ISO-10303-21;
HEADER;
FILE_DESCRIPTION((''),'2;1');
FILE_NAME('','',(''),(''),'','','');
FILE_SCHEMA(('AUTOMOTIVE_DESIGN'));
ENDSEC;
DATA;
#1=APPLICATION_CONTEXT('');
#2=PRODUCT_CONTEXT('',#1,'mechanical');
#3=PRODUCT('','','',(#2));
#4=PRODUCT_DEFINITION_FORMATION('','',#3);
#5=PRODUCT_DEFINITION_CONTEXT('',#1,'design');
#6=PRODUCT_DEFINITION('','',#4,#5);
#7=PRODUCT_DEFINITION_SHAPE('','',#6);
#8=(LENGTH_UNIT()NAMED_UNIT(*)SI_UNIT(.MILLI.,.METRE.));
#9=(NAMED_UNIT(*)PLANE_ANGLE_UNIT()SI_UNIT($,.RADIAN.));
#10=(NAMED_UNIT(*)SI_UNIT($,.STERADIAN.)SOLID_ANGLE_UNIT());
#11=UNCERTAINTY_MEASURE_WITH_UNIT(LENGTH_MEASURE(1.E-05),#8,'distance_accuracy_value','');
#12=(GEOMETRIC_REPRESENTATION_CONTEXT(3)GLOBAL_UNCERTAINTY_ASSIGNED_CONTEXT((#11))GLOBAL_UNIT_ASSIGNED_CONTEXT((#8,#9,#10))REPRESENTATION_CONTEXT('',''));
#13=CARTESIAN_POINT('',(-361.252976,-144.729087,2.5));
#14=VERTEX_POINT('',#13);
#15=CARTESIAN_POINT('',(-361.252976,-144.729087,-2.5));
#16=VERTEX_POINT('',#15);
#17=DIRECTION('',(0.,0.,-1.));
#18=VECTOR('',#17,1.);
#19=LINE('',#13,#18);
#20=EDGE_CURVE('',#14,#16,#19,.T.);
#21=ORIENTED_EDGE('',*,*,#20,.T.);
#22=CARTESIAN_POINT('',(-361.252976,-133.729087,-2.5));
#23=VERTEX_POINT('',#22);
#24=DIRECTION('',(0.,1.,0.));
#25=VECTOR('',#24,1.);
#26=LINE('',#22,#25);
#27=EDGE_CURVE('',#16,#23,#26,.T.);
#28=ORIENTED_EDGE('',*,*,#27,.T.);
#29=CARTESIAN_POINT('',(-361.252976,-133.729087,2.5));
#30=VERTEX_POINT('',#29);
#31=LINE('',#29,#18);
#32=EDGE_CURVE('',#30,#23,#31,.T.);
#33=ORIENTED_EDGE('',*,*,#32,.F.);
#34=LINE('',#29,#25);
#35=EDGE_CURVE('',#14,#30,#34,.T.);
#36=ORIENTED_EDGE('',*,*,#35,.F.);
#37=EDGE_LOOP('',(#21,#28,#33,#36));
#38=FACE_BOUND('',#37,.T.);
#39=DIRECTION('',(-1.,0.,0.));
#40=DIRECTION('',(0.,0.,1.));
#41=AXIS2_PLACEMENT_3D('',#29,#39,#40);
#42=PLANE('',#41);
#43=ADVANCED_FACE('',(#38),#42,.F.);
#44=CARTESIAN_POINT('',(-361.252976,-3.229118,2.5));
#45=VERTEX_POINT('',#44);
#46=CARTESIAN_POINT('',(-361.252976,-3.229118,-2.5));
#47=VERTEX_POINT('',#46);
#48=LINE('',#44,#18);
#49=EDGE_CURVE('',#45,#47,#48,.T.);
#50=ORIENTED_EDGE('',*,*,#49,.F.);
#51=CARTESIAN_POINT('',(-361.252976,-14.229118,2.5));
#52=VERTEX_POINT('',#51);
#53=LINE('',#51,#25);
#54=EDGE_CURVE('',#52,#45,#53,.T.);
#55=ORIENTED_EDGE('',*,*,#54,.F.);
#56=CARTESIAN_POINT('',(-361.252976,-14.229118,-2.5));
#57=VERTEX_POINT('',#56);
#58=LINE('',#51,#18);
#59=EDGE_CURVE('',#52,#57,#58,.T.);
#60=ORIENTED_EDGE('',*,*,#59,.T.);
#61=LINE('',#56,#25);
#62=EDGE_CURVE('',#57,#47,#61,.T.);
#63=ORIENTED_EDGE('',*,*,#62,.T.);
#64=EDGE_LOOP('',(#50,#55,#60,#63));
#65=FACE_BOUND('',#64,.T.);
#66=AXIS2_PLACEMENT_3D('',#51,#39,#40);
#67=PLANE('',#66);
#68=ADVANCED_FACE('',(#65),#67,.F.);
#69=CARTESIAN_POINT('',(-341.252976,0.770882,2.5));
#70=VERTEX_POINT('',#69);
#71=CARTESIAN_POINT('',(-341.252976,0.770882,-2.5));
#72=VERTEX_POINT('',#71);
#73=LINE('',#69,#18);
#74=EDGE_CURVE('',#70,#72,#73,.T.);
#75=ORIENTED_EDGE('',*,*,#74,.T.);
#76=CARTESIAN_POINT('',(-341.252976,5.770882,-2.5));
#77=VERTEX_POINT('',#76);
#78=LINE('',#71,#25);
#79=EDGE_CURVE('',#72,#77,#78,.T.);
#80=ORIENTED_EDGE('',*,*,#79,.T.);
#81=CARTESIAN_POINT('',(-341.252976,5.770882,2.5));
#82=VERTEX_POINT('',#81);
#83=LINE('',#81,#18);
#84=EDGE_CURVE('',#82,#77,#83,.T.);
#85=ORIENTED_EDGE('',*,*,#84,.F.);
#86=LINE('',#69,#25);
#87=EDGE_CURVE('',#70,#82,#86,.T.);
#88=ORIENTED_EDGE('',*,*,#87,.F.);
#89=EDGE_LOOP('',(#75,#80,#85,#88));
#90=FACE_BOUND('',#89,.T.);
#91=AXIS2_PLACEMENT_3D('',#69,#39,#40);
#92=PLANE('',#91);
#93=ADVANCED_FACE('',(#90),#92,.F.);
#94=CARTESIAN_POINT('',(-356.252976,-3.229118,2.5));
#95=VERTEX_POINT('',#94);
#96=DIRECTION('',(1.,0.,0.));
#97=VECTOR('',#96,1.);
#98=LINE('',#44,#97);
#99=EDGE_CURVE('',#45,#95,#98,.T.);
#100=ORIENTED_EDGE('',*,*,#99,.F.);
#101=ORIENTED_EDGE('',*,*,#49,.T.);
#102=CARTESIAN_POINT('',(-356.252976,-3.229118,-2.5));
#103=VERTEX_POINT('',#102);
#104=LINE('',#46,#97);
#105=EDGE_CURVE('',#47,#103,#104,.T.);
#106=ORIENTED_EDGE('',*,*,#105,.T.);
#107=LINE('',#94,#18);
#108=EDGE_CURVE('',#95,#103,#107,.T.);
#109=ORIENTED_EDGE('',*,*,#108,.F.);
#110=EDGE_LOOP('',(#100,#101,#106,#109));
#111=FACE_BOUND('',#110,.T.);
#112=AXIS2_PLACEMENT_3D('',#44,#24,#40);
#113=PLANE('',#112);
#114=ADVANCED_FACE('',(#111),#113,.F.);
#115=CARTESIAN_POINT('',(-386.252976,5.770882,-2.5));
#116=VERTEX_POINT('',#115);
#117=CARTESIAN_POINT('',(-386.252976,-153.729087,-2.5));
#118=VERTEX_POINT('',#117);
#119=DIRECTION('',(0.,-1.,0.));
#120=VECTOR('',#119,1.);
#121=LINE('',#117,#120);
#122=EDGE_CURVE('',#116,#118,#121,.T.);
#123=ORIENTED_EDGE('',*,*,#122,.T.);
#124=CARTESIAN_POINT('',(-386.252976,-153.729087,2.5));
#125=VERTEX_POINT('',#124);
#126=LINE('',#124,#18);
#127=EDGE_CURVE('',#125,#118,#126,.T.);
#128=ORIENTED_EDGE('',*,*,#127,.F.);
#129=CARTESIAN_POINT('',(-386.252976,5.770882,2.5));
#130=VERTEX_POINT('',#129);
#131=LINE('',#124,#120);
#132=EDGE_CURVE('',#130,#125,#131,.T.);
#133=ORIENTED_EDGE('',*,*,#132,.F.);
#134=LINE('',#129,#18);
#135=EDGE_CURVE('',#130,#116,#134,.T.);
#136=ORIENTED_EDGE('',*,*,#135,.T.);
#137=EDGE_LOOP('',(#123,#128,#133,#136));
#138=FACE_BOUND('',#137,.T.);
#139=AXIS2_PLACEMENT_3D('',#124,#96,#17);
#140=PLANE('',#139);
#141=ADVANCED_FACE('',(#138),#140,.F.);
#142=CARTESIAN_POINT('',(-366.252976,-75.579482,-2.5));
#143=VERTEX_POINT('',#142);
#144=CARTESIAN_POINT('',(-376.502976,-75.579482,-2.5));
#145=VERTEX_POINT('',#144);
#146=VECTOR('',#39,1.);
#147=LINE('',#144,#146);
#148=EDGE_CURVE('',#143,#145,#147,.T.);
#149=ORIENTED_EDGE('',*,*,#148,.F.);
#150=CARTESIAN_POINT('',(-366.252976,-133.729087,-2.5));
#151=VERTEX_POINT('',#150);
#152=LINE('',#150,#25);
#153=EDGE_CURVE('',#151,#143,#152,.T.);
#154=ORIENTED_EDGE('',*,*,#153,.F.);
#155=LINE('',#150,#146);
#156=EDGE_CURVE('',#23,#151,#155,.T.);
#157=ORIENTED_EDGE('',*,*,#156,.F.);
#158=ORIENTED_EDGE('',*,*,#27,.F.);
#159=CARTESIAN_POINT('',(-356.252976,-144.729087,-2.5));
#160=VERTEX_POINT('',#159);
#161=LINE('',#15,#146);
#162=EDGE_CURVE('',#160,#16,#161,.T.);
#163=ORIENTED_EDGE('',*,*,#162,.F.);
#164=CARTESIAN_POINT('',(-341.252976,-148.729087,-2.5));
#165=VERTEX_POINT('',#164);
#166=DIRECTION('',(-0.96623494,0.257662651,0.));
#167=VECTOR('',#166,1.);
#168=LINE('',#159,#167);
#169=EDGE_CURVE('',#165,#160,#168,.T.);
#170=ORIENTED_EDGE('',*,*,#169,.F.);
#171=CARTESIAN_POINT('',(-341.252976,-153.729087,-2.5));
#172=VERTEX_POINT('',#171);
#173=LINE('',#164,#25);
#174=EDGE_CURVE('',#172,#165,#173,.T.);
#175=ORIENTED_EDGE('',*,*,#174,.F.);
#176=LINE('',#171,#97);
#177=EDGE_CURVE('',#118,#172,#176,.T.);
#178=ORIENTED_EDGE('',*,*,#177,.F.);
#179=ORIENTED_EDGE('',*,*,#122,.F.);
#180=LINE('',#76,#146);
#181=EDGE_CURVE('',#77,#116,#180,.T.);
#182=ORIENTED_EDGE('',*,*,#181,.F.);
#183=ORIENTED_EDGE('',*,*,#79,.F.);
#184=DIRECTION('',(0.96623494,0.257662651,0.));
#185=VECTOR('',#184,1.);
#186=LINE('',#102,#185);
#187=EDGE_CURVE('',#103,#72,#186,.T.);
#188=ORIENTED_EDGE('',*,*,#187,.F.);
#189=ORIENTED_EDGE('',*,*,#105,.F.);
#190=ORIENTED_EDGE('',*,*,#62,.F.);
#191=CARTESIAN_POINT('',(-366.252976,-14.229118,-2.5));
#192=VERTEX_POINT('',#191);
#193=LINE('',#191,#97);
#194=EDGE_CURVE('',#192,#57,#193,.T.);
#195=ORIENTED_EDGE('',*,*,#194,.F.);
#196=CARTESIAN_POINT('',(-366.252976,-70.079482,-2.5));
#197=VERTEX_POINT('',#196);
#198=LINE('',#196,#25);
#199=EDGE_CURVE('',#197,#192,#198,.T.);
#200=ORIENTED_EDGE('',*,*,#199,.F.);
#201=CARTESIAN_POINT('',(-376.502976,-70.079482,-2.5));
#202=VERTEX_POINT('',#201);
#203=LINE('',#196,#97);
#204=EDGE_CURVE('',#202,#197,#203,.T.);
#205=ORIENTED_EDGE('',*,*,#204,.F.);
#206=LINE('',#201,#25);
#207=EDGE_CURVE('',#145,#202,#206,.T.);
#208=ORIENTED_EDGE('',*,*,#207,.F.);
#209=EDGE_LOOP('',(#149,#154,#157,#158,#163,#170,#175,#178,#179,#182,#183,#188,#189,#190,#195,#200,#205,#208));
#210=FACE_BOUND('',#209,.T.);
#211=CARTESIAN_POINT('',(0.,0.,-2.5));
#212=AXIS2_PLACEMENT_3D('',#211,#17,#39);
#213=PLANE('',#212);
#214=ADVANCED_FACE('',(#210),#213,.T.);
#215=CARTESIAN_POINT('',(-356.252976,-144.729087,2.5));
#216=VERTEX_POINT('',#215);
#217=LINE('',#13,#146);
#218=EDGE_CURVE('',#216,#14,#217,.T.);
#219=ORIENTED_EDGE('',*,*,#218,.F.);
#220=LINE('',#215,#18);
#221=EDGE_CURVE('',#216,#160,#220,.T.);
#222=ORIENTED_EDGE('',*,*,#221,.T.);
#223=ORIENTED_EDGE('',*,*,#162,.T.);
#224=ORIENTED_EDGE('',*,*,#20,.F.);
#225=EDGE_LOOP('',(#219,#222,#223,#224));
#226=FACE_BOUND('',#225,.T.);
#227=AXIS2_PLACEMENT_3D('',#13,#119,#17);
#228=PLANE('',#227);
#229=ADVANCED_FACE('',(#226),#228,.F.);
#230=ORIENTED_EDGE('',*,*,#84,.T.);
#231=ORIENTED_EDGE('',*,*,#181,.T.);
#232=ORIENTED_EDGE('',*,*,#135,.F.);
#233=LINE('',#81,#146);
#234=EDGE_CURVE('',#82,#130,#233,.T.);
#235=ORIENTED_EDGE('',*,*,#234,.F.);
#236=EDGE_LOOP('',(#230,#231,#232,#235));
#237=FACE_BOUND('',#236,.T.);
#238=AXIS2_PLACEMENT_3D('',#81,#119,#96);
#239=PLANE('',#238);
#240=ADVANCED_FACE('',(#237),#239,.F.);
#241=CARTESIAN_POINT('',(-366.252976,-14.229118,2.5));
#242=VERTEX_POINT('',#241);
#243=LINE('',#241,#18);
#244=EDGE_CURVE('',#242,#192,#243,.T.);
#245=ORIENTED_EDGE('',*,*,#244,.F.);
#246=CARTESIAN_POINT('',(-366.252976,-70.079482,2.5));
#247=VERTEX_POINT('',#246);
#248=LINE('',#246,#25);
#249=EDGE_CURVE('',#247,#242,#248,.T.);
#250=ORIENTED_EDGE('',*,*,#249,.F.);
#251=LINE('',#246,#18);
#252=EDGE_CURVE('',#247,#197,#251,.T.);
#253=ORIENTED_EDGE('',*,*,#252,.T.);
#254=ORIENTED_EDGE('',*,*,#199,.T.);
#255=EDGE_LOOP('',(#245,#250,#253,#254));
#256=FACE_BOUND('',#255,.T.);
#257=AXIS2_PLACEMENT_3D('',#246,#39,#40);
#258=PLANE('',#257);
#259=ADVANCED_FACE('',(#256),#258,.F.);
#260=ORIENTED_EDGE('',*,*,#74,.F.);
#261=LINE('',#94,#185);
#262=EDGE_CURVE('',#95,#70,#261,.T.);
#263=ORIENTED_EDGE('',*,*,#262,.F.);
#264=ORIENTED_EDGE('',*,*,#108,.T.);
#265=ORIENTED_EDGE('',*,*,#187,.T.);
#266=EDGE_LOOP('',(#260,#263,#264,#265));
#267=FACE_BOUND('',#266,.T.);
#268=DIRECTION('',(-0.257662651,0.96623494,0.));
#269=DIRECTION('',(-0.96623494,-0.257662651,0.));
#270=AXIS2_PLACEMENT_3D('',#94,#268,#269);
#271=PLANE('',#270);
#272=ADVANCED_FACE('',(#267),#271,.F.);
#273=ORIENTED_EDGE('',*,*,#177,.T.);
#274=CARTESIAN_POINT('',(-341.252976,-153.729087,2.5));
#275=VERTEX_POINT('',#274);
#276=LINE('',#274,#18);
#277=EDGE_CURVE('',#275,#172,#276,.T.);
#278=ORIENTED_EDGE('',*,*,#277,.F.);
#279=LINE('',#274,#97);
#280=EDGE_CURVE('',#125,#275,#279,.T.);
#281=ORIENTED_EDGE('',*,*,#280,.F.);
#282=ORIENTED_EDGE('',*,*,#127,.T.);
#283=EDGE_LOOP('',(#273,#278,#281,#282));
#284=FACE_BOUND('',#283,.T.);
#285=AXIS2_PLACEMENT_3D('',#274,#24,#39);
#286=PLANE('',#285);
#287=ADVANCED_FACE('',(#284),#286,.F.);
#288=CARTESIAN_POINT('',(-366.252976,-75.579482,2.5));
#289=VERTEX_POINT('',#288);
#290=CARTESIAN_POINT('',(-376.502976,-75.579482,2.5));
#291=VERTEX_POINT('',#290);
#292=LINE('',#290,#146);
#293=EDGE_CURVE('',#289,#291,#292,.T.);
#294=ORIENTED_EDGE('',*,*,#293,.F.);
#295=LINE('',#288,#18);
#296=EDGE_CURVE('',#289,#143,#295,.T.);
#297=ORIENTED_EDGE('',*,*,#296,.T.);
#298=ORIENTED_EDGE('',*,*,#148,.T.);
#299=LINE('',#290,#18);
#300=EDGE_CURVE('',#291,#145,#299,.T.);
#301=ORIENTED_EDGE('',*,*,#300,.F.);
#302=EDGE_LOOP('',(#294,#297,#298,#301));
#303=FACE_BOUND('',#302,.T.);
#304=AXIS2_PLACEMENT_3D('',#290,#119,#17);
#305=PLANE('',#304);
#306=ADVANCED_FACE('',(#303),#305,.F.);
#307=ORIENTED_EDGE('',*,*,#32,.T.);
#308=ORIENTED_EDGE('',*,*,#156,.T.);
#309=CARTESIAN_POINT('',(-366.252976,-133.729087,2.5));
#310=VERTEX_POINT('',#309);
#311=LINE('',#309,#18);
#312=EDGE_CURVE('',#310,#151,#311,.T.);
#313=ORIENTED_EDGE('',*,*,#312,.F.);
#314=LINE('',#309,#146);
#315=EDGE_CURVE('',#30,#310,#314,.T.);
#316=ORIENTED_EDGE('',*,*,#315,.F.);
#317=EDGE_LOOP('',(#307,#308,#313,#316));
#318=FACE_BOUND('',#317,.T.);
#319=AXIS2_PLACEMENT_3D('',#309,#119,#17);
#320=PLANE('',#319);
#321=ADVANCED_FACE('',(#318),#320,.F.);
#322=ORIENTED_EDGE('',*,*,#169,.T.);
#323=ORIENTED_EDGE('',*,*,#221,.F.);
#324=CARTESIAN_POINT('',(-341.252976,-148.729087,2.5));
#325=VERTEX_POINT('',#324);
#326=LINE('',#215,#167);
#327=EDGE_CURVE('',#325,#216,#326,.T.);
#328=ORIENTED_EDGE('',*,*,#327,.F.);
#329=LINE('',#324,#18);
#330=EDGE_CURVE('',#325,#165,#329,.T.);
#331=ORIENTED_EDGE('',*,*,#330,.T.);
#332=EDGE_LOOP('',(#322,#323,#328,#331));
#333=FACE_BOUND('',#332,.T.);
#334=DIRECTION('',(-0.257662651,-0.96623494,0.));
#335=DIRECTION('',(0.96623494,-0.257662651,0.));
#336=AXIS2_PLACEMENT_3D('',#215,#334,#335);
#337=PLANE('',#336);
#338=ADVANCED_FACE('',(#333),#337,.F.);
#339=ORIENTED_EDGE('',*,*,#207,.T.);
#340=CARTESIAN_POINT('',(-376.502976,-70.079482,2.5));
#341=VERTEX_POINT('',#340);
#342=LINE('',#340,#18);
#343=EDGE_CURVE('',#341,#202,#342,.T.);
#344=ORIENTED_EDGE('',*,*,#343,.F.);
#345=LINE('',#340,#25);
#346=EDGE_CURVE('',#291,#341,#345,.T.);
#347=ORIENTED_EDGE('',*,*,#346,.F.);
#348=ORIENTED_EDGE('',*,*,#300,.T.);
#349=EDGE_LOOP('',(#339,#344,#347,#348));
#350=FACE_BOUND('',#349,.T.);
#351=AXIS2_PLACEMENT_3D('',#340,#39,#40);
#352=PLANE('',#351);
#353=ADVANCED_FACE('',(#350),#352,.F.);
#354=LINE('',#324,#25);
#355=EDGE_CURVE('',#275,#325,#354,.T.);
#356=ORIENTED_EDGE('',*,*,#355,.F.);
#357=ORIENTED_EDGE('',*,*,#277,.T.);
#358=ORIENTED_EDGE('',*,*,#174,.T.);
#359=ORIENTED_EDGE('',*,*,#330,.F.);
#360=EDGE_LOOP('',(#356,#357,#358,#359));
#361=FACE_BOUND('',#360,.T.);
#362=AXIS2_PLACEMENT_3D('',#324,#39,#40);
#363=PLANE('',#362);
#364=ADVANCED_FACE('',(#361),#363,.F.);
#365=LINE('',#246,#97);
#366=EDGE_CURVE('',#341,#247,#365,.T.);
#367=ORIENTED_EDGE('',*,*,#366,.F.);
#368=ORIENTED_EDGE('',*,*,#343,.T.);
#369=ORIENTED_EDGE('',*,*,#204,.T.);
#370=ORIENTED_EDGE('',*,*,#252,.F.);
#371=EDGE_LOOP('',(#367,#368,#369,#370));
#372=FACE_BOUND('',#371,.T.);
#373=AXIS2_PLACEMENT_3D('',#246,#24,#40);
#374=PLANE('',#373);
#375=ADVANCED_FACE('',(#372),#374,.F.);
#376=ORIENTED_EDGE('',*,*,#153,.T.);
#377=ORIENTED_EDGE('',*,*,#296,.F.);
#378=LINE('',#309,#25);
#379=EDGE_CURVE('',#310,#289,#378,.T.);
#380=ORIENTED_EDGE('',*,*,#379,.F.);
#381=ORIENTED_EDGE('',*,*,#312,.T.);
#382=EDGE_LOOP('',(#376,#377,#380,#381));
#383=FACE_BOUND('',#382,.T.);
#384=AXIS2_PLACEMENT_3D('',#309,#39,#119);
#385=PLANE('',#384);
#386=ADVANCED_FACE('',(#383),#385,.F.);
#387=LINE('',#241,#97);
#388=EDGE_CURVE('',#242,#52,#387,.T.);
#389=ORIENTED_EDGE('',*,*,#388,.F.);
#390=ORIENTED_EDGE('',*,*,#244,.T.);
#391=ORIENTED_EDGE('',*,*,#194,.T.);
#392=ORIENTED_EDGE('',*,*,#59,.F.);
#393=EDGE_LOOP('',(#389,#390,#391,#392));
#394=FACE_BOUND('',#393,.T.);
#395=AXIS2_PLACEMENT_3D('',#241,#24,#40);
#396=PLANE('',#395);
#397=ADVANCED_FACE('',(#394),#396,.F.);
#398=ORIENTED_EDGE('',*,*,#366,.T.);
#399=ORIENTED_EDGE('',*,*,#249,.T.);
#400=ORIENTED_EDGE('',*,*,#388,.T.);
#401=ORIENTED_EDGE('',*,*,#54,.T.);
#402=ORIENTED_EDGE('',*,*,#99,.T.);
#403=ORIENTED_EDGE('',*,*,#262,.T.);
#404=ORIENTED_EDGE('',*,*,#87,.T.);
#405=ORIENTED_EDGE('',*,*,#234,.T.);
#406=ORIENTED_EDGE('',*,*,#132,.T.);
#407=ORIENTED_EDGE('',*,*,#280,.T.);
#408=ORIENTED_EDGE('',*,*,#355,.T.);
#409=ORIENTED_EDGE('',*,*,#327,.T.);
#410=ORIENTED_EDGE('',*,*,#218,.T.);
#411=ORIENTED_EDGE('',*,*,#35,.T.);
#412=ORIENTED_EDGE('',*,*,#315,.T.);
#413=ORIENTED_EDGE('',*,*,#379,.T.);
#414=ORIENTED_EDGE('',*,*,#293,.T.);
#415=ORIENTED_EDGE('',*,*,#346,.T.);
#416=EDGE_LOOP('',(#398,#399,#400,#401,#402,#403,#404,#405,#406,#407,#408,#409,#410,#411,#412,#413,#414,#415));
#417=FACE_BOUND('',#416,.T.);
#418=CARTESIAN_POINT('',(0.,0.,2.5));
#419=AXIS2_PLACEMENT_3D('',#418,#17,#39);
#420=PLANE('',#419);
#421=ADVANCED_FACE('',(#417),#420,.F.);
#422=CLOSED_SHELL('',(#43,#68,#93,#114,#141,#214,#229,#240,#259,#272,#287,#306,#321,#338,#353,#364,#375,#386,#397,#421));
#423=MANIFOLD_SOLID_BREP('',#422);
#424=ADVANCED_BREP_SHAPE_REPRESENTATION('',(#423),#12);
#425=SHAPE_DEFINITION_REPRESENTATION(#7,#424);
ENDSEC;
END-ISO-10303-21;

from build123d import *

# Parameters (mm, degrees)
BOSS_EXTRUDE1_DEPTH = 2.5


with BuildPart() as part:
    # Sketch2 → Boss-Extrude1 (new, symmetric)
    with BuildSketch(Plane.XY):
        Polygon((-366.252975542, -70.079481859), (-376.502975542, -70.079481859), (-376.502975542, -75.579481859), (-366.252975542, -75.579481859), (-366.252975542, -133.729086599), (-361.252975542, -133.729086599), (-361.252975542, -144.729086599), (-356.252975542, -144.729086599), (-341.252975542, -148.729086599), (-341.252975542, -153.729086599), (-386.252975542, -153.729086599), (-386.252975542, 5.770882486), (-341.252975542, 5.770882486), (-341.252975542, 0.770882486), (-356.252975542, -3.229117514), (-361.252975542, -3.229117514), (-361.252975542, -14.229117514), (-366.252975542, -14.229117514), align=None)
    extrude(amount=BOSS_EXTRUDE1_DEPTH, both=True)


solid = part.part
